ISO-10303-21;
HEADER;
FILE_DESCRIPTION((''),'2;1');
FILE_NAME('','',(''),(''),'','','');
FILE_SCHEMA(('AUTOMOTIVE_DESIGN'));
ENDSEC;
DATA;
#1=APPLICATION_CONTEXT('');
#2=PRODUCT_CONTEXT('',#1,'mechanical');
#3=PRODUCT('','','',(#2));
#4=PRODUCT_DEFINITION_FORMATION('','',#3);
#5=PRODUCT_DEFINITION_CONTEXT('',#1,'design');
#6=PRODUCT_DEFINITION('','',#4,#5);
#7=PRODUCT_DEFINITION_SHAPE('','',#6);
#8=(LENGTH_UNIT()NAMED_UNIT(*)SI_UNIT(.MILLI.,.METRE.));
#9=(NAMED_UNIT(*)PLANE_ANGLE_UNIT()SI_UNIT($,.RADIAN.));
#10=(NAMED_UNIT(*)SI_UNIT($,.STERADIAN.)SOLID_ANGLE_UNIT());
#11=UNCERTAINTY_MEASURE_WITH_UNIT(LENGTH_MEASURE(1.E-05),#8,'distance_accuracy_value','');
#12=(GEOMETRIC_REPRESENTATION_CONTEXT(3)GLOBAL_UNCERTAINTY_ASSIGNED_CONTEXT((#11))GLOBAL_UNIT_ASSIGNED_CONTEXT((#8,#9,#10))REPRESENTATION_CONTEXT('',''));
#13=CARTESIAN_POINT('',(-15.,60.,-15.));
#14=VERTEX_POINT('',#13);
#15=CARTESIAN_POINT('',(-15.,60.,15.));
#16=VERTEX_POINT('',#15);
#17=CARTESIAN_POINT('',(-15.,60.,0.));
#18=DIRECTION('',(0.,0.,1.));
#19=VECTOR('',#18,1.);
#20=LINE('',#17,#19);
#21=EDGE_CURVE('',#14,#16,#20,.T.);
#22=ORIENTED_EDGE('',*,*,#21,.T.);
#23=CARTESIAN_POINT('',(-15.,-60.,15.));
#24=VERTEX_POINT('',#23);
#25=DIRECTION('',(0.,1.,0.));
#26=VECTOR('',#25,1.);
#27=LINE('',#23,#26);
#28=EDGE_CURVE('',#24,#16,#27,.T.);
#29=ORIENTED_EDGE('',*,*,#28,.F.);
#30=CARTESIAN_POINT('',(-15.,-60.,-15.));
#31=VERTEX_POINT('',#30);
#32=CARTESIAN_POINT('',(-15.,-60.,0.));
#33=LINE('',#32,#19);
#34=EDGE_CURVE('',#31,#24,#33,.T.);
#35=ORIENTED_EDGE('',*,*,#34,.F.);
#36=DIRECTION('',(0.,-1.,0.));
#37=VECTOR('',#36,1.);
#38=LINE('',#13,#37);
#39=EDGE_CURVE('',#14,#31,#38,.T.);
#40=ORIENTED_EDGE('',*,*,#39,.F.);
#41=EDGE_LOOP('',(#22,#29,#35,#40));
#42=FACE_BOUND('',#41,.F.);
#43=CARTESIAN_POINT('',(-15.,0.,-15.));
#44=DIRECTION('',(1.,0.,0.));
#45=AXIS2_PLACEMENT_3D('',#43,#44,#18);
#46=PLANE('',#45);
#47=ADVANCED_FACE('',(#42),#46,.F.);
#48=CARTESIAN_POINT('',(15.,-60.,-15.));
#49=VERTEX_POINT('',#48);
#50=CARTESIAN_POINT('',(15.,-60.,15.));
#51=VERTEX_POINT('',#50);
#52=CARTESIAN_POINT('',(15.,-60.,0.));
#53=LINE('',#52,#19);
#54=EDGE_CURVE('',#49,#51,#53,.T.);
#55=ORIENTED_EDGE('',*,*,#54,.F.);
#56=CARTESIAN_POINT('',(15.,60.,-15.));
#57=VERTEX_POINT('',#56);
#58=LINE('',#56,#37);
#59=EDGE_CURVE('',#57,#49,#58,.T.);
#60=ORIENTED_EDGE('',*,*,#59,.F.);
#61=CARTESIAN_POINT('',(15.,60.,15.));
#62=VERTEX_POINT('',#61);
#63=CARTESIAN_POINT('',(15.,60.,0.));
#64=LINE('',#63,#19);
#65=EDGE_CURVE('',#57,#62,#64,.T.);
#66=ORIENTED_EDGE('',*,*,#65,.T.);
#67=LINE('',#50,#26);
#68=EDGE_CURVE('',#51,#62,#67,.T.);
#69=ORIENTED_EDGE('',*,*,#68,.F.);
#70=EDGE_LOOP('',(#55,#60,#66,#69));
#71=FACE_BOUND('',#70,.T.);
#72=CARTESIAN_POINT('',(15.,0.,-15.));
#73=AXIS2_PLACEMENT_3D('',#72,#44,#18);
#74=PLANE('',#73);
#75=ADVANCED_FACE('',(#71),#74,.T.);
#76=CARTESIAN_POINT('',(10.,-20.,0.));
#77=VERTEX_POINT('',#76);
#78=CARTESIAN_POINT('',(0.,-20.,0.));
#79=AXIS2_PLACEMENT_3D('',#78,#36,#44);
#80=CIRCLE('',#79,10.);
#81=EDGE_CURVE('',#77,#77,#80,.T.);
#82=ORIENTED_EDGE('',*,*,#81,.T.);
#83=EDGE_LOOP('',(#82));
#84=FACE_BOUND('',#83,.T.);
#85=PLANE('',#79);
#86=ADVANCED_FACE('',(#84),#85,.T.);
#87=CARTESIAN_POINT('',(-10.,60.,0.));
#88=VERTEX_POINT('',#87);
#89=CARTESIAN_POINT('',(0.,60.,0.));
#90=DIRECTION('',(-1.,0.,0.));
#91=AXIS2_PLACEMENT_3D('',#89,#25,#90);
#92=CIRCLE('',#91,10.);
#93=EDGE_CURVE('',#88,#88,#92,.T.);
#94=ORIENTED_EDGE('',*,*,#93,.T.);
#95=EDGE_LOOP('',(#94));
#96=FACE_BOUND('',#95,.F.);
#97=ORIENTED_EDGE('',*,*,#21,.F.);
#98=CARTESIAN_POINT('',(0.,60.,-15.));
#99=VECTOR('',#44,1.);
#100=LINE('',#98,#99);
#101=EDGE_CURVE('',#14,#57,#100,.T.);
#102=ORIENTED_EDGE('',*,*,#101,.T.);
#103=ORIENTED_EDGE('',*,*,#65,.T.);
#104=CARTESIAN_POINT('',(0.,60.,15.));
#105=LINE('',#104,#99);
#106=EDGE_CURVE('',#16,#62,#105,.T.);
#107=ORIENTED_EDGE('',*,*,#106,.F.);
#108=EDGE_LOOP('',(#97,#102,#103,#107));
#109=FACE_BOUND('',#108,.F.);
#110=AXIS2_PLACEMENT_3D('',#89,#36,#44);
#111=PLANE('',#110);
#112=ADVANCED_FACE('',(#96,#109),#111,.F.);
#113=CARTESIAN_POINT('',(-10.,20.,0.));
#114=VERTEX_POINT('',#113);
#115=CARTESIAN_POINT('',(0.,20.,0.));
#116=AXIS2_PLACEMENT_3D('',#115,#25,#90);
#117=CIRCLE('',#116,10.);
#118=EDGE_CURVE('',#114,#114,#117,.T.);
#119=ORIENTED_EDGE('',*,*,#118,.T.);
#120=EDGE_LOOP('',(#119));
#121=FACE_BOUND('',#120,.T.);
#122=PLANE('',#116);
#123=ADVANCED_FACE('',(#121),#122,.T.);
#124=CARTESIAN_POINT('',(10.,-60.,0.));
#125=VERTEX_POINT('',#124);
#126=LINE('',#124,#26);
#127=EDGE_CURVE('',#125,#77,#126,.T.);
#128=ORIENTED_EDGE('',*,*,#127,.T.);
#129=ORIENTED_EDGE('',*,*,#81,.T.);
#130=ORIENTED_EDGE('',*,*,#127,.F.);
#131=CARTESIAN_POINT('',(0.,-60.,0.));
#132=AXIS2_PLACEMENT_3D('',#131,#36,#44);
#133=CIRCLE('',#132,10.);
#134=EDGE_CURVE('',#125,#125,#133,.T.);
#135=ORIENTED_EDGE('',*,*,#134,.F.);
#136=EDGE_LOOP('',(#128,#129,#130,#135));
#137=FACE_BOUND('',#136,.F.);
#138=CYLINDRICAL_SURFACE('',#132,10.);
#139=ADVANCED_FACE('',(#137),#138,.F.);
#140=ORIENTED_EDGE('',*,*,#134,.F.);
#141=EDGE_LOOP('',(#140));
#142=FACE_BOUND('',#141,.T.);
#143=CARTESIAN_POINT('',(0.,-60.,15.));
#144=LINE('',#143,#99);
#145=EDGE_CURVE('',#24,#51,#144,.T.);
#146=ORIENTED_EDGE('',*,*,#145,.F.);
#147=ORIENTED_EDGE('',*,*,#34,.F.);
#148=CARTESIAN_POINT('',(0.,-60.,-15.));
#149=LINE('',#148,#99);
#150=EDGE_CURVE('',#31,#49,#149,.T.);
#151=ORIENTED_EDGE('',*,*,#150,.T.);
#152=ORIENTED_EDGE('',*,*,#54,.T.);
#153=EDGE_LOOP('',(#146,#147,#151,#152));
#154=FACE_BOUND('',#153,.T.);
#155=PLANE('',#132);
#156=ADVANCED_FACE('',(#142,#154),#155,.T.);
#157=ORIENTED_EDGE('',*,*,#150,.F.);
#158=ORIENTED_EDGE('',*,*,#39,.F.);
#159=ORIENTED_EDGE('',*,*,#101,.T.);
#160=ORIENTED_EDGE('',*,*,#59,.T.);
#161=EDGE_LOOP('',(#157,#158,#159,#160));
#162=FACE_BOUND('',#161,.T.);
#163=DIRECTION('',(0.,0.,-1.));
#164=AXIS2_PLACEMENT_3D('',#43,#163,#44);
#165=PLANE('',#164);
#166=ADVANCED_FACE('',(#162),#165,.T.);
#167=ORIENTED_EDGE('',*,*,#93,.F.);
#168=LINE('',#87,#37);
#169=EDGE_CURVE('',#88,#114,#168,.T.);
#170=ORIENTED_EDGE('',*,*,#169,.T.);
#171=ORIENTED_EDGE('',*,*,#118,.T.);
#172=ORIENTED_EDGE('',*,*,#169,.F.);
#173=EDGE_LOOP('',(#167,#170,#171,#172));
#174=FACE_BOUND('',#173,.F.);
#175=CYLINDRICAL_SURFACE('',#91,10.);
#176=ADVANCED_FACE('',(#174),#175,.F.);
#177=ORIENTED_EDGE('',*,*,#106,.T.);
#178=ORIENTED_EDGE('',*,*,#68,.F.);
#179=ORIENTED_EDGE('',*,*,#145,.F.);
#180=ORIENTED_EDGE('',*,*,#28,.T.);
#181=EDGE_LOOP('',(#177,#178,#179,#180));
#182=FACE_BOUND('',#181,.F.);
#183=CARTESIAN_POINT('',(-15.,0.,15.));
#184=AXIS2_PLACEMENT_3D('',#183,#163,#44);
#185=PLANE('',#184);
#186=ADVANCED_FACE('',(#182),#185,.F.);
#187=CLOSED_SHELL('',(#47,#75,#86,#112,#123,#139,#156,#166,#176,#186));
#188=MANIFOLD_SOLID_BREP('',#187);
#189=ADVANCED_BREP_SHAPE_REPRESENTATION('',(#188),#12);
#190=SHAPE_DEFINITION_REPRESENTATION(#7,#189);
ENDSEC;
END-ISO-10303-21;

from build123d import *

# Parameters (mm, degrees)
F0_W     = 30
F0_H     = 30
F1_DEPTH = 60
F2_R     = 10
F3_DEPTH = 40
F4_R     = 10
F5_DEPTH = 40


with BuildPart() as f1:
    # F0 (on Front) → F1 (new body, symmetric)
    with BuildSketch(Plane.XZ):
        Rectangle(F0_W, F0_H)
    extrude(amount=F1_DEPTH, both=True)

    # F2 (on face) → F3 (cut)
    with BuildSketch(Plane(origin=(0, 60, 0), x_dir=(-1, 0, 0), z_dir=(0, 1, 0))):
        Circle(F2_R)
    extrude(amount=-F3_DEPTH, mode=Mode.SUBTRACT)

    # F4 (on face) → F5 (cut)
    with BuildSketch(Plane.XZ.offset(60)):
        Circle(F4_R)
    extrude(amount=-F5_DEPTH, mode=Mode.SUBTRACT)


solid = f1.part
